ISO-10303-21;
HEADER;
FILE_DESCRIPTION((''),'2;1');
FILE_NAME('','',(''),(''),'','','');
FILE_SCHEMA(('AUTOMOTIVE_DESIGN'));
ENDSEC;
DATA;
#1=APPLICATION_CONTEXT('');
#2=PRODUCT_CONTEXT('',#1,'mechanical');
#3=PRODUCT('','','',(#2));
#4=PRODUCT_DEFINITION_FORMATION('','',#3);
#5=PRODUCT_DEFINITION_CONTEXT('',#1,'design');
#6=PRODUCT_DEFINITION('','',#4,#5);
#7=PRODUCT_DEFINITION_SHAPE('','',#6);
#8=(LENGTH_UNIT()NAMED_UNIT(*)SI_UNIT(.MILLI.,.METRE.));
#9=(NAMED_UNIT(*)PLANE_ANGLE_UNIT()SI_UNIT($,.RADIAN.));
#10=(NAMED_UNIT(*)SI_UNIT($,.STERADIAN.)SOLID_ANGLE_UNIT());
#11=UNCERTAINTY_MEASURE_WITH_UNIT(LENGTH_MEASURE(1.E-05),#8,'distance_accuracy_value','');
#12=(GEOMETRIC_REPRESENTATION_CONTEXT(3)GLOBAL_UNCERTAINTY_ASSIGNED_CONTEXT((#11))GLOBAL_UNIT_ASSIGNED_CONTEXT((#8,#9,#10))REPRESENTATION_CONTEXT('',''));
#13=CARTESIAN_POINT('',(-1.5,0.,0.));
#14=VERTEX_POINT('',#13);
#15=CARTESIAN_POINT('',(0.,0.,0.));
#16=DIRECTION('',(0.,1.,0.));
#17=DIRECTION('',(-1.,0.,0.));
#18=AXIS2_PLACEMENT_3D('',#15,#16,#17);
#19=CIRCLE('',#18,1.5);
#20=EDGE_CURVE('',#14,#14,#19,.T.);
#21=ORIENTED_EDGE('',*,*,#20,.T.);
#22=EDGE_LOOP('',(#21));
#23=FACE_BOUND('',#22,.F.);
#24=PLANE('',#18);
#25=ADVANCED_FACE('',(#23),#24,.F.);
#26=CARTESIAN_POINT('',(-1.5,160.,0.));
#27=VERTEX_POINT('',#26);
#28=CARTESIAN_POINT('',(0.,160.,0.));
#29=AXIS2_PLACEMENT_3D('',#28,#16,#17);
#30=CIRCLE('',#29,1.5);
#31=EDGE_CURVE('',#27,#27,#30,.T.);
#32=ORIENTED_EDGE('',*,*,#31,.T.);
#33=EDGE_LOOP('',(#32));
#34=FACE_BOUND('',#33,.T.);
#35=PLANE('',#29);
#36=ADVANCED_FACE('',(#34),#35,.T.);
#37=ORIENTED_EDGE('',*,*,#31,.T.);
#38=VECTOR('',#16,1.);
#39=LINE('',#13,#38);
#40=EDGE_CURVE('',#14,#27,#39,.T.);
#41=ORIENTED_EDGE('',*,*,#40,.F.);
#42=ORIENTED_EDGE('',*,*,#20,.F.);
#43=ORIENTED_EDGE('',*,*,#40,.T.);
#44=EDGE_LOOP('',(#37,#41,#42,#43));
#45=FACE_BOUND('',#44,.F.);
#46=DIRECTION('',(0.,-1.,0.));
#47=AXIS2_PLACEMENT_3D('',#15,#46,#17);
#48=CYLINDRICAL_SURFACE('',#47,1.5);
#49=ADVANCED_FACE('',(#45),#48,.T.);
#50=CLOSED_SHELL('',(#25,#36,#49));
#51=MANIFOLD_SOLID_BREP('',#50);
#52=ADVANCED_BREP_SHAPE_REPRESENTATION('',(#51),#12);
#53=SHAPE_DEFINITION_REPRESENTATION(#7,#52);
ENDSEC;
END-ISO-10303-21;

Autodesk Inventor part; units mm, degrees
ref_plane "YZ Plane" through (0, 0, 0) normal (1, 0, 0) x (0, 1, 0)
ref_plane "XZ Plane" through (0, 0, 0) normal (0, 1, 0) x (-1, 0, 0)
ref_plane "XY Plane" through (0, 0, 0) normal (0, 0, 1) x (1, 0, 0)
sketch "Sketch1" plane through (0, 0, 0) normal (0, 1, 0) x (-1, 0, 0)
  circle A0 centre (0, 0) radius 1.5
  dimension "d0" = 3
extrude "Extrusion1" add sketch "Sketch1" along normal blind 160
thread "Thread1" size "M3x0.5" class "6g" standard "ANSI Metric M Profile" length 20
thread "Thread2" size "M3x0.5" class "6g" standard "ANSI Metric M Profile" length 20
properties part number "RearAxel"
